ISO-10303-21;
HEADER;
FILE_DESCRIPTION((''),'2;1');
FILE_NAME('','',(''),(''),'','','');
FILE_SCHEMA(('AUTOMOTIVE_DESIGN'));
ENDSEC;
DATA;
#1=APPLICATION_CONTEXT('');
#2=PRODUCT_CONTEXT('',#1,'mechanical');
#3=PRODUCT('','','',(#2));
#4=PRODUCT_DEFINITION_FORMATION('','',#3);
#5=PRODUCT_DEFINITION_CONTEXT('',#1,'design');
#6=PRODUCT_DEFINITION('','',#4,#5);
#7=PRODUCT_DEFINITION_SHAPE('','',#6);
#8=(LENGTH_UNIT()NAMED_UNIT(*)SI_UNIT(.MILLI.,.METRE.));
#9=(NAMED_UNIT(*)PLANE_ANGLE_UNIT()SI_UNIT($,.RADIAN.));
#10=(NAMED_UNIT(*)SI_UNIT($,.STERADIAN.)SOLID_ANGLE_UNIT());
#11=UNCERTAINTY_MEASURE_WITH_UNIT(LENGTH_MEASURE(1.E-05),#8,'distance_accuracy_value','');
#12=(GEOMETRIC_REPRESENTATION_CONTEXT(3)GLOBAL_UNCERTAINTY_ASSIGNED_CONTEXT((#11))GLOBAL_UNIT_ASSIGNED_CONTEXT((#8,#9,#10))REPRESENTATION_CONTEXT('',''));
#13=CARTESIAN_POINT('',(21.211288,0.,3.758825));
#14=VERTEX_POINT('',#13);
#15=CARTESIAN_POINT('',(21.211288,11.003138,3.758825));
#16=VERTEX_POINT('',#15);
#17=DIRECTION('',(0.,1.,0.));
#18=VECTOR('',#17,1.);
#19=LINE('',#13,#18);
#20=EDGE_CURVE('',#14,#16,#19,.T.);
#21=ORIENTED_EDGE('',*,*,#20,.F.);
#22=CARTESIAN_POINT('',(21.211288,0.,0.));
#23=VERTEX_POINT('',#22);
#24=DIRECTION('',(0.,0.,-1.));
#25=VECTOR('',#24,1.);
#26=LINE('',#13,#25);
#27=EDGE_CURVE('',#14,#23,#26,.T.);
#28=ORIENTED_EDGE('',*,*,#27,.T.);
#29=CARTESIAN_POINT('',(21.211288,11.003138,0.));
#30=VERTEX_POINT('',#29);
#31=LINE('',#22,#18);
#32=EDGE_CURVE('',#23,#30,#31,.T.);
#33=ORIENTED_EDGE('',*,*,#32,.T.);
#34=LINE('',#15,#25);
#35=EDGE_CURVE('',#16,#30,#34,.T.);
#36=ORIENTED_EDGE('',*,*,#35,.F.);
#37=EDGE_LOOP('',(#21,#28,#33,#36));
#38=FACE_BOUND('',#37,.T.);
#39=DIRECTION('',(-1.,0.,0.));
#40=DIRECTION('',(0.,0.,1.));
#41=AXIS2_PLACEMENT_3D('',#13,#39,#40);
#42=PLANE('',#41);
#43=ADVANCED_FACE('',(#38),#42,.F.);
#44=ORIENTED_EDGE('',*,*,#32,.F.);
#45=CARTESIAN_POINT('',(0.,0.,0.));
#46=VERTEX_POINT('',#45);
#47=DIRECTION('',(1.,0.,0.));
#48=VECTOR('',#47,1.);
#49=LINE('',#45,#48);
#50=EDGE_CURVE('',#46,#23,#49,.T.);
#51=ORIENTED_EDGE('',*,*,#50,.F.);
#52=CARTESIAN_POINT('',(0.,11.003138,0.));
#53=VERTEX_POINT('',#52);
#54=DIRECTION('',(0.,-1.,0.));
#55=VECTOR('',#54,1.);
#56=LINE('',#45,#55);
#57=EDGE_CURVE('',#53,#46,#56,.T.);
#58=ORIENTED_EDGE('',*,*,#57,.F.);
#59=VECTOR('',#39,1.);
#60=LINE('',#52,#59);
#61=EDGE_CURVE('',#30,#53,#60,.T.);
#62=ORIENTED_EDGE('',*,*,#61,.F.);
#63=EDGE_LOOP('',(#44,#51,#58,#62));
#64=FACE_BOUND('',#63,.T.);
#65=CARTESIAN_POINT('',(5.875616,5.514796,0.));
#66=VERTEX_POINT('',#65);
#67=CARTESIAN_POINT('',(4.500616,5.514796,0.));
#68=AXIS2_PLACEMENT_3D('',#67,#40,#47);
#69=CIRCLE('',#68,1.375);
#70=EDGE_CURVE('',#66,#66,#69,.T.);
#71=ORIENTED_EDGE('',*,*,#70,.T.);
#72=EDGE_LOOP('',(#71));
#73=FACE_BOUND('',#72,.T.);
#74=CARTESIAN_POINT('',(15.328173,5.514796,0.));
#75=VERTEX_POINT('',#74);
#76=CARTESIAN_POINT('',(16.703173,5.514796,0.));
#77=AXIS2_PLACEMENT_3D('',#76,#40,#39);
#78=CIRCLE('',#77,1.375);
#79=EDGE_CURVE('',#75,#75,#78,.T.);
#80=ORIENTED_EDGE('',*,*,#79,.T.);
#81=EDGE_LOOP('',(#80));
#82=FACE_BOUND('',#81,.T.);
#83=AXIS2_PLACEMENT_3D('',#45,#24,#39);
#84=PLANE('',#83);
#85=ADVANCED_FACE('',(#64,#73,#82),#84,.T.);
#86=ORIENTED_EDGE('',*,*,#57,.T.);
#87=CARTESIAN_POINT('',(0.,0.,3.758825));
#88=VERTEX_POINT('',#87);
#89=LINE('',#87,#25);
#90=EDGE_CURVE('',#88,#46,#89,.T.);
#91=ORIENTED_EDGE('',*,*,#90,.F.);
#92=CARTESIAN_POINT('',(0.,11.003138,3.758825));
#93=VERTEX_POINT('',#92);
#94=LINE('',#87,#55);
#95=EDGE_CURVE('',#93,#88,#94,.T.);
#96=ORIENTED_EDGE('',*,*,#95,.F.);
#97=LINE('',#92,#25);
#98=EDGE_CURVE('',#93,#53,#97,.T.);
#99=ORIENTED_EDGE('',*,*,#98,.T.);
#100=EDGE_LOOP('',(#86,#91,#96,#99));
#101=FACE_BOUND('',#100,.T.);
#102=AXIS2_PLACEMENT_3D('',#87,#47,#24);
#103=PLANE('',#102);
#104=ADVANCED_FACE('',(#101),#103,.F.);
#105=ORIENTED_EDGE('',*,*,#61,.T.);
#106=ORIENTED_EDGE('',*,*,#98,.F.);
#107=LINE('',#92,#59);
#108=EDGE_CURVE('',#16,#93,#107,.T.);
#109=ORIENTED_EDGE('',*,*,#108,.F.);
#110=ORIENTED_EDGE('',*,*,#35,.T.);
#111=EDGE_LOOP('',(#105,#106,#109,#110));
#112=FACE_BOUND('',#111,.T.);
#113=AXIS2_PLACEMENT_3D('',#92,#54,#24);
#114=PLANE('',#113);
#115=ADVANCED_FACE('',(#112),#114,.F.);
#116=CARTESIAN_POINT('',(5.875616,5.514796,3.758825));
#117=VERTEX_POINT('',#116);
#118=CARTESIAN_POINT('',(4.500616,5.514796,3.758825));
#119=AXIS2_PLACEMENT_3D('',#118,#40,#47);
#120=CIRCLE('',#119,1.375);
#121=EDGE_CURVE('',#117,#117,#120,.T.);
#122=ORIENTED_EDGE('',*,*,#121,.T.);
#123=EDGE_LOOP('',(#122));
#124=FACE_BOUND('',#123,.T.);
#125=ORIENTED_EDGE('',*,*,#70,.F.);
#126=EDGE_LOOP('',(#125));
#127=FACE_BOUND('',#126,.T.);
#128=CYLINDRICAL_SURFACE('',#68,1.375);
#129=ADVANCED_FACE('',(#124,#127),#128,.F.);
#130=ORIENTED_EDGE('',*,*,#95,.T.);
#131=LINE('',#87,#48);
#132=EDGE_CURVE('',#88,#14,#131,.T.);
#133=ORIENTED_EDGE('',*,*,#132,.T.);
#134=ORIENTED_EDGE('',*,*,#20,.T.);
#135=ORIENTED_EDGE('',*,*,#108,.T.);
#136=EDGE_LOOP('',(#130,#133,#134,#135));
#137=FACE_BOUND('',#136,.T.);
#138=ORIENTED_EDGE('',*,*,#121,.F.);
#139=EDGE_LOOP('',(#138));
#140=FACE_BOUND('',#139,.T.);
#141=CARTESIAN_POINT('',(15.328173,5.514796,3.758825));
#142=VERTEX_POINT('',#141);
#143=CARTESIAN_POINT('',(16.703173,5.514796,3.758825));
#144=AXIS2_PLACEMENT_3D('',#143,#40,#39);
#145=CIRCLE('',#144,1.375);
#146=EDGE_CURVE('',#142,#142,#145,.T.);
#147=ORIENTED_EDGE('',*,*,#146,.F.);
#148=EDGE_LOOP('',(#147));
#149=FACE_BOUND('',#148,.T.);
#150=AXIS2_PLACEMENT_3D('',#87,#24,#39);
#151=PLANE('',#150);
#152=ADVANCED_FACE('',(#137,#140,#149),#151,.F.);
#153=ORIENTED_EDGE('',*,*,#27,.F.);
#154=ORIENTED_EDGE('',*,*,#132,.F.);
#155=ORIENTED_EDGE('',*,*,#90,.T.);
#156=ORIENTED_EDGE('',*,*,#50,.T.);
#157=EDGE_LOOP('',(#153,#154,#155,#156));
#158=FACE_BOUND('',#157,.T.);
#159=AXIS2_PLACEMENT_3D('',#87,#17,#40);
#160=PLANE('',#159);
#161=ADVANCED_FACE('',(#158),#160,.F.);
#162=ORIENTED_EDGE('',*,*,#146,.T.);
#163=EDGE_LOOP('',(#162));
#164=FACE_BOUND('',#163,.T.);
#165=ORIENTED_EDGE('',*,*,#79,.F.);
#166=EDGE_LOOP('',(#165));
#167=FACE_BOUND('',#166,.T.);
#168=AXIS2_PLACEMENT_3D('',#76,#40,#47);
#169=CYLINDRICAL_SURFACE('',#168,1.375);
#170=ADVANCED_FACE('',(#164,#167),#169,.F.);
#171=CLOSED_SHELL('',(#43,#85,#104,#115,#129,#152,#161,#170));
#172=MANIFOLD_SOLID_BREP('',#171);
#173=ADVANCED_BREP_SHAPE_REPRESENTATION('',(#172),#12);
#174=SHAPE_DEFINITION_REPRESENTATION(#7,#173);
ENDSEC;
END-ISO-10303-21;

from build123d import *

# Parameters (mm, degrees)
SKETCH1_W          = 21.21128765
SKETCH1_H          = 11.00313828
BRACKETBASE_DEPTH  = 3.75882541
SKETCH2_R          = 1.375
CUT_EXTRUDE1_DEPTH = 4.75882541


with BuildPart() as part:
    # Sketch1 → bracketBase (new body)
    with BuildSketch(Plane.XY):
        with Locations((10.605643825, 5.50156914)):
            Rectangle(SKETCH1_W, SKETCH1_H)
    extrude(amount=BRACKETBASE_DEPTH)

    # Sketch2 → Cut-Extrude1 (cut, through all)
    with BuildSketch(Plane.XY.offset(3.75882541)):
        with Locations((4.50061561, 5.51479595)):
            Circle(SKETCH2_R)
        with Locations((16.70317329, 5.51479595)):
            Circle(SKETCH2_R)
    extrude(amount=-CUT_EXTRUDE1_DEPTH, mode=Mode.SUBTRACT)


solid = part.part
